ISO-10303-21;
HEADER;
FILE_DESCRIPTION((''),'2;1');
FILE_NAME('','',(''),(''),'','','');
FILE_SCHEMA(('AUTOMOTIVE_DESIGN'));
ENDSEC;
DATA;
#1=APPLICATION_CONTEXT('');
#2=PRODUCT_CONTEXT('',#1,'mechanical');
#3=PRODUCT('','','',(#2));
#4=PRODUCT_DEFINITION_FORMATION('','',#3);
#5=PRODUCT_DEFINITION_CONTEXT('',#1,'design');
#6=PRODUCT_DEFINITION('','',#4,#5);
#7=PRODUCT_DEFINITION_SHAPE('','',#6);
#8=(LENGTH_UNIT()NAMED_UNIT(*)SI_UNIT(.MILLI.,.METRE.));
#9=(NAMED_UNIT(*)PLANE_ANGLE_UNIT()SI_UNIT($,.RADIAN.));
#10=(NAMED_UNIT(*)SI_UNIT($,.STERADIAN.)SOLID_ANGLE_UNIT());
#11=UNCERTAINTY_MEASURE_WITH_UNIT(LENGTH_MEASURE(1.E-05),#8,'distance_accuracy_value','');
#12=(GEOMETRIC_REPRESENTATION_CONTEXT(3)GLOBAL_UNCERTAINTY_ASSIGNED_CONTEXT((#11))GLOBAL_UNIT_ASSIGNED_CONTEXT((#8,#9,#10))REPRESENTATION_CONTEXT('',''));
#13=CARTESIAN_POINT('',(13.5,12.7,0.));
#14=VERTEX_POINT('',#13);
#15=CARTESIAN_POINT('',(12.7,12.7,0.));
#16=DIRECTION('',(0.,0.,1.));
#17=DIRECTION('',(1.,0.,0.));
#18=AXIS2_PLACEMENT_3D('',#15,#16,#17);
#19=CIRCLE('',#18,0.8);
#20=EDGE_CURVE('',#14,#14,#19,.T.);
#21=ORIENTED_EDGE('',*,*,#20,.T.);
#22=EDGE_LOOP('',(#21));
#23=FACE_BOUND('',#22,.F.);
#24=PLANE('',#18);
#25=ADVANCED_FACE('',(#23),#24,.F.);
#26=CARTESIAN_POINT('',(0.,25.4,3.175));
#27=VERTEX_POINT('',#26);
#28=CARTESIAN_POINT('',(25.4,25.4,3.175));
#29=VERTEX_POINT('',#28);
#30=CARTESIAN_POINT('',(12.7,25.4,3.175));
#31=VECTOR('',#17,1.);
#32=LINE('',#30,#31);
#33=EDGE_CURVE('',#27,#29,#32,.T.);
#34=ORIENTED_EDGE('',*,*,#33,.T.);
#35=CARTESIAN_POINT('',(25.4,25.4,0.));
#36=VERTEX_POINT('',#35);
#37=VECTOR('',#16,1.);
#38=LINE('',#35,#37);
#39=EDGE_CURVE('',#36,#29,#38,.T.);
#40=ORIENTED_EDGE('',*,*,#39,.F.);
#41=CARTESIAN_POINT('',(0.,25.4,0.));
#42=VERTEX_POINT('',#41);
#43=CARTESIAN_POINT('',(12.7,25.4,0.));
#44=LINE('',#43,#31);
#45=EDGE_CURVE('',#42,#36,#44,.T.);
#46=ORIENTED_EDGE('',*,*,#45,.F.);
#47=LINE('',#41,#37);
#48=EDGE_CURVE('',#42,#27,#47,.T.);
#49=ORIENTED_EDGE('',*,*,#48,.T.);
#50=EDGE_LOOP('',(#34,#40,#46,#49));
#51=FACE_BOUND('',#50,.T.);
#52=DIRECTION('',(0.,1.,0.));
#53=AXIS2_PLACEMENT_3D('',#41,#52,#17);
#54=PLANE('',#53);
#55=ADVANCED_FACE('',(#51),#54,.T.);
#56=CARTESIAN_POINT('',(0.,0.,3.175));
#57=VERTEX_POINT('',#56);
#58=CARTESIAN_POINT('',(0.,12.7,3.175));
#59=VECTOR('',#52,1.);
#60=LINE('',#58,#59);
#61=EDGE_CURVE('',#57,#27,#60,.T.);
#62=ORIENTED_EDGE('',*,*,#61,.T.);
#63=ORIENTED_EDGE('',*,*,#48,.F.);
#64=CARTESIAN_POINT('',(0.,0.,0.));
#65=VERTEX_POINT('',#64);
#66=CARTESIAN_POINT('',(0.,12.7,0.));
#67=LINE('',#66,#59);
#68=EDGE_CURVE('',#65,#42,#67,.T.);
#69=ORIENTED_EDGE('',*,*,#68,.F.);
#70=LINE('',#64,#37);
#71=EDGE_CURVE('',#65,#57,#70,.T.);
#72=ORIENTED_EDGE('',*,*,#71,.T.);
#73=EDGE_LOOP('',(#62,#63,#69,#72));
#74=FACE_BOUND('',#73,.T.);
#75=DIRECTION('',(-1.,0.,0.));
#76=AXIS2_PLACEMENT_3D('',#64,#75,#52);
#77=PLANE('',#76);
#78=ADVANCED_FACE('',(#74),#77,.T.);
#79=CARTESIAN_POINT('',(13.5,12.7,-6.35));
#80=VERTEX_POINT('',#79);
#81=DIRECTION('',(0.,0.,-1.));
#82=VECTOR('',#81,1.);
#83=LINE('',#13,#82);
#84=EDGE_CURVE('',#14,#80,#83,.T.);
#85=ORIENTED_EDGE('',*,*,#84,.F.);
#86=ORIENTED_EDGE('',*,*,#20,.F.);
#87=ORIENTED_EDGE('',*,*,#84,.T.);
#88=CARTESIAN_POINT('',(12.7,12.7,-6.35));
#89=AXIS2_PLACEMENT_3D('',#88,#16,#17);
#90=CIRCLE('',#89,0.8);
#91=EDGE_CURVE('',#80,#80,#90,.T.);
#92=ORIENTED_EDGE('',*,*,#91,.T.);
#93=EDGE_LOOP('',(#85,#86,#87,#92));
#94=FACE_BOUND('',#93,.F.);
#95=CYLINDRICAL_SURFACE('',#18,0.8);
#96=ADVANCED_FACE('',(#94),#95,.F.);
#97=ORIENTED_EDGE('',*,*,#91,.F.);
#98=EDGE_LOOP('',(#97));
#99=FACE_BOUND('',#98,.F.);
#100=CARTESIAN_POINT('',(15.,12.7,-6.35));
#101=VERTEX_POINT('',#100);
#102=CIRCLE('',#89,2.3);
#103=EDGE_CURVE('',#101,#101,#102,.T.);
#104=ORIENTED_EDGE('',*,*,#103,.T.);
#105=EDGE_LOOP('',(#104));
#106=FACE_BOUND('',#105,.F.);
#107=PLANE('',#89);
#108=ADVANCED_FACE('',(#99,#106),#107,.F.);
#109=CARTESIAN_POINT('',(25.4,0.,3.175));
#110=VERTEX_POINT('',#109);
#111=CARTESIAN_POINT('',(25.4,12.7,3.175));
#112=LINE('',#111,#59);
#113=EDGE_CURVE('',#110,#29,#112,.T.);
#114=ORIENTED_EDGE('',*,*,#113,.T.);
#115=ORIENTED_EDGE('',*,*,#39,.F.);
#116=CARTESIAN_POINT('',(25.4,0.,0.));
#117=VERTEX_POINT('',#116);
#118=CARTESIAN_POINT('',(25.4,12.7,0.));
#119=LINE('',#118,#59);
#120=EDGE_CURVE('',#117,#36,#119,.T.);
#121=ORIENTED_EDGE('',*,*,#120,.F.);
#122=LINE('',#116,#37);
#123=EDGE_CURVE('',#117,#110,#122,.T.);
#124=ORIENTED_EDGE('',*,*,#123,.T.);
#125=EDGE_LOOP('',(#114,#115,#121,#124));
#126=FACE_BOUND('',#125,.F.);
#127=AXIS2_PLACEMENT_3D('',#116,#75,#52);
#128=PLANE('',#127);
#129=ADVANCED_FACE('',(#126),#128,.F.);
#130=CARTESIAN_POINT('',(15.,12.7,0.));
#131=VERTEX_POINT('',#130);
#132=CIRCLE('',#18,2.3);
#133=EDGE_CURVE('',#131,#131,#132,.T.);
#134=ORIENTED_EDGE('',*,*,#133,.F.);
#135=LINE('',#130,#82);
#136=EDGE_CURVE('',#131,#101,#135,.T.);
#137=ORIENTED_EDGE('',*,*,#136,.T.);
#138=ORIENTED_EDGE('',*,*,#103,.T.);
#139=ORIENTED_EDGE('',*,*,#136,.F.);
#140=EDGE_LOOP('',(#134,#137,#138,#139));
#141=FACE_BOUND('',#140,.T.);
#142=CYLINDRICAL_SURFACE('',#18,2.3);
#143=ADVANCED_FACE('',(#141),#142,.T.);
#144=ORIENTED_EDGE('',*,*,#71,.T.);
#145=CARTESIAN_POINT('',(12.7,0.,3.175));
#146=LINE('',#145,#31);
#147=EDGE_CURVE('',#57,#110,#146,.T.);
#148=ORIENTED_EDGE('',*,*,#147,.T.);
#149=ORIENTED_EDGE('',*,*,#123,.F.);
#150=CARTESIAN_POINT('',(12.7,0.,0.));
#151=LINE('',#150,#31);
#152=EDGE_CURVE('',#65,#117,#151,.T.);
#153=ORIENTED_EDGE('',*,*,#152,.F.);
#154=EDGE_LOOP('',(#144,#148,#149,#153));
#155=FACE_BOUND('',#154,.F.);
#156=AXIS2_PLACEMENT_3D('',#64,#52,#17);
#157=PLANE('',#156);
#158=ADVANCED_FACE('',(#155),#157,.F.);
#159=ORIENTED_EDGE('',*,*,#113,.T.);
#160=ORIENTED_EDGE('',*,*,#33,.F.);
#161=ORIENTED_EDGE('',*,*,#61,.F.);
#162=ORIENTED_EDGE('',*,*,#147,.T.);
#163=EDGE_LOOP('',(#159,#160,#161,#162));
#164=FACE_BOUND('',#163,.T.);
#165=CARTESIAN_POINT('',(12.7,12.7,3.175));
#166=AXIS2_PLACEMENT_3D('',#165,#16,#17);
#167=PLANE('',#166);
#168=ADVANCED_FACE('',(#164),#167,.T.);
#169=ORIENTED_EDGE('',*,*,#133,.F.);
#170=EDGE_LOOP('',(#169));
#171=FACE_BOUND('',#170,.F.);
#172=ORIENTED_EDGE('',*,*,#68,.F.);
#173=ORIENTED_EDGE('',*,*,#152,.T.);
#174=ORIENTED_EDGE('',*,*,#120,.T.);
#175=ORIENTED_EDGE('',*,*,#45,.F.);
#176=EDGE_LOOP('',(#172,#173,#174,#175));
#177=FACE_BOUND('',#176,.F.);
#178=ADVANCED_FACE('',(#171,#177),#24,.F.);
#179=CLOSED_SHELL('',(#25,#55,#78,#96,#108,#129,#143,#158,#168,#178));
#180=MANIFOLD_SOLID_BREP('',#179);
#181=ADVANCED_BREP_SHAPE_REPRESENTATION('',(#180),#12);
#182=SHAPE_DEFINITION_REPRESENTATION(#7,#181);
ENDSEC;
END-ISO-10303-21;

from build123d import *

# Parameters (mm, degrees)
F0_W     = 25.4
F0_H     = 25.4
F0_R     = 2.3
F0_R_2   = 0.8
F1_DEPTH = 3.175
F2_DEPTH = 6.35


with BuildPart() as f1:
    # F0 (on Top) → F1 (new body)
    with BuildSketch(Plane.XY):
        with Locations((12.7, 12.7)):
            Rectangle(F0_W, F0_H)
        with Locations((12.7, 12.7)):
            Circle(F0_R, mode=Mode.SUBTRACT)
        with Locations((12.7, 12.7)):
            Circle(F0_R)
        with Locations((12.7, 12.7)):
            Circle(F0_R_2, mode=Mode.SUBTRACT)
        with Locations((12.7, 12.7)):
            Circle(F0_R_2)
    extrude(amount=F1_DEPTH)

    # F0 (on Top) → F2 (join)
    with BuildSketch(Plane.XY):
        with Locations((12.7, 12.7)):
            Circle(F0_R)
        with Locations((12.7, 12.7)):
            Circle(F0_R_2, mode=Mode.SUBTRACT)
    extrude(amount=-F2_DEPTH)


solid = f1.part
